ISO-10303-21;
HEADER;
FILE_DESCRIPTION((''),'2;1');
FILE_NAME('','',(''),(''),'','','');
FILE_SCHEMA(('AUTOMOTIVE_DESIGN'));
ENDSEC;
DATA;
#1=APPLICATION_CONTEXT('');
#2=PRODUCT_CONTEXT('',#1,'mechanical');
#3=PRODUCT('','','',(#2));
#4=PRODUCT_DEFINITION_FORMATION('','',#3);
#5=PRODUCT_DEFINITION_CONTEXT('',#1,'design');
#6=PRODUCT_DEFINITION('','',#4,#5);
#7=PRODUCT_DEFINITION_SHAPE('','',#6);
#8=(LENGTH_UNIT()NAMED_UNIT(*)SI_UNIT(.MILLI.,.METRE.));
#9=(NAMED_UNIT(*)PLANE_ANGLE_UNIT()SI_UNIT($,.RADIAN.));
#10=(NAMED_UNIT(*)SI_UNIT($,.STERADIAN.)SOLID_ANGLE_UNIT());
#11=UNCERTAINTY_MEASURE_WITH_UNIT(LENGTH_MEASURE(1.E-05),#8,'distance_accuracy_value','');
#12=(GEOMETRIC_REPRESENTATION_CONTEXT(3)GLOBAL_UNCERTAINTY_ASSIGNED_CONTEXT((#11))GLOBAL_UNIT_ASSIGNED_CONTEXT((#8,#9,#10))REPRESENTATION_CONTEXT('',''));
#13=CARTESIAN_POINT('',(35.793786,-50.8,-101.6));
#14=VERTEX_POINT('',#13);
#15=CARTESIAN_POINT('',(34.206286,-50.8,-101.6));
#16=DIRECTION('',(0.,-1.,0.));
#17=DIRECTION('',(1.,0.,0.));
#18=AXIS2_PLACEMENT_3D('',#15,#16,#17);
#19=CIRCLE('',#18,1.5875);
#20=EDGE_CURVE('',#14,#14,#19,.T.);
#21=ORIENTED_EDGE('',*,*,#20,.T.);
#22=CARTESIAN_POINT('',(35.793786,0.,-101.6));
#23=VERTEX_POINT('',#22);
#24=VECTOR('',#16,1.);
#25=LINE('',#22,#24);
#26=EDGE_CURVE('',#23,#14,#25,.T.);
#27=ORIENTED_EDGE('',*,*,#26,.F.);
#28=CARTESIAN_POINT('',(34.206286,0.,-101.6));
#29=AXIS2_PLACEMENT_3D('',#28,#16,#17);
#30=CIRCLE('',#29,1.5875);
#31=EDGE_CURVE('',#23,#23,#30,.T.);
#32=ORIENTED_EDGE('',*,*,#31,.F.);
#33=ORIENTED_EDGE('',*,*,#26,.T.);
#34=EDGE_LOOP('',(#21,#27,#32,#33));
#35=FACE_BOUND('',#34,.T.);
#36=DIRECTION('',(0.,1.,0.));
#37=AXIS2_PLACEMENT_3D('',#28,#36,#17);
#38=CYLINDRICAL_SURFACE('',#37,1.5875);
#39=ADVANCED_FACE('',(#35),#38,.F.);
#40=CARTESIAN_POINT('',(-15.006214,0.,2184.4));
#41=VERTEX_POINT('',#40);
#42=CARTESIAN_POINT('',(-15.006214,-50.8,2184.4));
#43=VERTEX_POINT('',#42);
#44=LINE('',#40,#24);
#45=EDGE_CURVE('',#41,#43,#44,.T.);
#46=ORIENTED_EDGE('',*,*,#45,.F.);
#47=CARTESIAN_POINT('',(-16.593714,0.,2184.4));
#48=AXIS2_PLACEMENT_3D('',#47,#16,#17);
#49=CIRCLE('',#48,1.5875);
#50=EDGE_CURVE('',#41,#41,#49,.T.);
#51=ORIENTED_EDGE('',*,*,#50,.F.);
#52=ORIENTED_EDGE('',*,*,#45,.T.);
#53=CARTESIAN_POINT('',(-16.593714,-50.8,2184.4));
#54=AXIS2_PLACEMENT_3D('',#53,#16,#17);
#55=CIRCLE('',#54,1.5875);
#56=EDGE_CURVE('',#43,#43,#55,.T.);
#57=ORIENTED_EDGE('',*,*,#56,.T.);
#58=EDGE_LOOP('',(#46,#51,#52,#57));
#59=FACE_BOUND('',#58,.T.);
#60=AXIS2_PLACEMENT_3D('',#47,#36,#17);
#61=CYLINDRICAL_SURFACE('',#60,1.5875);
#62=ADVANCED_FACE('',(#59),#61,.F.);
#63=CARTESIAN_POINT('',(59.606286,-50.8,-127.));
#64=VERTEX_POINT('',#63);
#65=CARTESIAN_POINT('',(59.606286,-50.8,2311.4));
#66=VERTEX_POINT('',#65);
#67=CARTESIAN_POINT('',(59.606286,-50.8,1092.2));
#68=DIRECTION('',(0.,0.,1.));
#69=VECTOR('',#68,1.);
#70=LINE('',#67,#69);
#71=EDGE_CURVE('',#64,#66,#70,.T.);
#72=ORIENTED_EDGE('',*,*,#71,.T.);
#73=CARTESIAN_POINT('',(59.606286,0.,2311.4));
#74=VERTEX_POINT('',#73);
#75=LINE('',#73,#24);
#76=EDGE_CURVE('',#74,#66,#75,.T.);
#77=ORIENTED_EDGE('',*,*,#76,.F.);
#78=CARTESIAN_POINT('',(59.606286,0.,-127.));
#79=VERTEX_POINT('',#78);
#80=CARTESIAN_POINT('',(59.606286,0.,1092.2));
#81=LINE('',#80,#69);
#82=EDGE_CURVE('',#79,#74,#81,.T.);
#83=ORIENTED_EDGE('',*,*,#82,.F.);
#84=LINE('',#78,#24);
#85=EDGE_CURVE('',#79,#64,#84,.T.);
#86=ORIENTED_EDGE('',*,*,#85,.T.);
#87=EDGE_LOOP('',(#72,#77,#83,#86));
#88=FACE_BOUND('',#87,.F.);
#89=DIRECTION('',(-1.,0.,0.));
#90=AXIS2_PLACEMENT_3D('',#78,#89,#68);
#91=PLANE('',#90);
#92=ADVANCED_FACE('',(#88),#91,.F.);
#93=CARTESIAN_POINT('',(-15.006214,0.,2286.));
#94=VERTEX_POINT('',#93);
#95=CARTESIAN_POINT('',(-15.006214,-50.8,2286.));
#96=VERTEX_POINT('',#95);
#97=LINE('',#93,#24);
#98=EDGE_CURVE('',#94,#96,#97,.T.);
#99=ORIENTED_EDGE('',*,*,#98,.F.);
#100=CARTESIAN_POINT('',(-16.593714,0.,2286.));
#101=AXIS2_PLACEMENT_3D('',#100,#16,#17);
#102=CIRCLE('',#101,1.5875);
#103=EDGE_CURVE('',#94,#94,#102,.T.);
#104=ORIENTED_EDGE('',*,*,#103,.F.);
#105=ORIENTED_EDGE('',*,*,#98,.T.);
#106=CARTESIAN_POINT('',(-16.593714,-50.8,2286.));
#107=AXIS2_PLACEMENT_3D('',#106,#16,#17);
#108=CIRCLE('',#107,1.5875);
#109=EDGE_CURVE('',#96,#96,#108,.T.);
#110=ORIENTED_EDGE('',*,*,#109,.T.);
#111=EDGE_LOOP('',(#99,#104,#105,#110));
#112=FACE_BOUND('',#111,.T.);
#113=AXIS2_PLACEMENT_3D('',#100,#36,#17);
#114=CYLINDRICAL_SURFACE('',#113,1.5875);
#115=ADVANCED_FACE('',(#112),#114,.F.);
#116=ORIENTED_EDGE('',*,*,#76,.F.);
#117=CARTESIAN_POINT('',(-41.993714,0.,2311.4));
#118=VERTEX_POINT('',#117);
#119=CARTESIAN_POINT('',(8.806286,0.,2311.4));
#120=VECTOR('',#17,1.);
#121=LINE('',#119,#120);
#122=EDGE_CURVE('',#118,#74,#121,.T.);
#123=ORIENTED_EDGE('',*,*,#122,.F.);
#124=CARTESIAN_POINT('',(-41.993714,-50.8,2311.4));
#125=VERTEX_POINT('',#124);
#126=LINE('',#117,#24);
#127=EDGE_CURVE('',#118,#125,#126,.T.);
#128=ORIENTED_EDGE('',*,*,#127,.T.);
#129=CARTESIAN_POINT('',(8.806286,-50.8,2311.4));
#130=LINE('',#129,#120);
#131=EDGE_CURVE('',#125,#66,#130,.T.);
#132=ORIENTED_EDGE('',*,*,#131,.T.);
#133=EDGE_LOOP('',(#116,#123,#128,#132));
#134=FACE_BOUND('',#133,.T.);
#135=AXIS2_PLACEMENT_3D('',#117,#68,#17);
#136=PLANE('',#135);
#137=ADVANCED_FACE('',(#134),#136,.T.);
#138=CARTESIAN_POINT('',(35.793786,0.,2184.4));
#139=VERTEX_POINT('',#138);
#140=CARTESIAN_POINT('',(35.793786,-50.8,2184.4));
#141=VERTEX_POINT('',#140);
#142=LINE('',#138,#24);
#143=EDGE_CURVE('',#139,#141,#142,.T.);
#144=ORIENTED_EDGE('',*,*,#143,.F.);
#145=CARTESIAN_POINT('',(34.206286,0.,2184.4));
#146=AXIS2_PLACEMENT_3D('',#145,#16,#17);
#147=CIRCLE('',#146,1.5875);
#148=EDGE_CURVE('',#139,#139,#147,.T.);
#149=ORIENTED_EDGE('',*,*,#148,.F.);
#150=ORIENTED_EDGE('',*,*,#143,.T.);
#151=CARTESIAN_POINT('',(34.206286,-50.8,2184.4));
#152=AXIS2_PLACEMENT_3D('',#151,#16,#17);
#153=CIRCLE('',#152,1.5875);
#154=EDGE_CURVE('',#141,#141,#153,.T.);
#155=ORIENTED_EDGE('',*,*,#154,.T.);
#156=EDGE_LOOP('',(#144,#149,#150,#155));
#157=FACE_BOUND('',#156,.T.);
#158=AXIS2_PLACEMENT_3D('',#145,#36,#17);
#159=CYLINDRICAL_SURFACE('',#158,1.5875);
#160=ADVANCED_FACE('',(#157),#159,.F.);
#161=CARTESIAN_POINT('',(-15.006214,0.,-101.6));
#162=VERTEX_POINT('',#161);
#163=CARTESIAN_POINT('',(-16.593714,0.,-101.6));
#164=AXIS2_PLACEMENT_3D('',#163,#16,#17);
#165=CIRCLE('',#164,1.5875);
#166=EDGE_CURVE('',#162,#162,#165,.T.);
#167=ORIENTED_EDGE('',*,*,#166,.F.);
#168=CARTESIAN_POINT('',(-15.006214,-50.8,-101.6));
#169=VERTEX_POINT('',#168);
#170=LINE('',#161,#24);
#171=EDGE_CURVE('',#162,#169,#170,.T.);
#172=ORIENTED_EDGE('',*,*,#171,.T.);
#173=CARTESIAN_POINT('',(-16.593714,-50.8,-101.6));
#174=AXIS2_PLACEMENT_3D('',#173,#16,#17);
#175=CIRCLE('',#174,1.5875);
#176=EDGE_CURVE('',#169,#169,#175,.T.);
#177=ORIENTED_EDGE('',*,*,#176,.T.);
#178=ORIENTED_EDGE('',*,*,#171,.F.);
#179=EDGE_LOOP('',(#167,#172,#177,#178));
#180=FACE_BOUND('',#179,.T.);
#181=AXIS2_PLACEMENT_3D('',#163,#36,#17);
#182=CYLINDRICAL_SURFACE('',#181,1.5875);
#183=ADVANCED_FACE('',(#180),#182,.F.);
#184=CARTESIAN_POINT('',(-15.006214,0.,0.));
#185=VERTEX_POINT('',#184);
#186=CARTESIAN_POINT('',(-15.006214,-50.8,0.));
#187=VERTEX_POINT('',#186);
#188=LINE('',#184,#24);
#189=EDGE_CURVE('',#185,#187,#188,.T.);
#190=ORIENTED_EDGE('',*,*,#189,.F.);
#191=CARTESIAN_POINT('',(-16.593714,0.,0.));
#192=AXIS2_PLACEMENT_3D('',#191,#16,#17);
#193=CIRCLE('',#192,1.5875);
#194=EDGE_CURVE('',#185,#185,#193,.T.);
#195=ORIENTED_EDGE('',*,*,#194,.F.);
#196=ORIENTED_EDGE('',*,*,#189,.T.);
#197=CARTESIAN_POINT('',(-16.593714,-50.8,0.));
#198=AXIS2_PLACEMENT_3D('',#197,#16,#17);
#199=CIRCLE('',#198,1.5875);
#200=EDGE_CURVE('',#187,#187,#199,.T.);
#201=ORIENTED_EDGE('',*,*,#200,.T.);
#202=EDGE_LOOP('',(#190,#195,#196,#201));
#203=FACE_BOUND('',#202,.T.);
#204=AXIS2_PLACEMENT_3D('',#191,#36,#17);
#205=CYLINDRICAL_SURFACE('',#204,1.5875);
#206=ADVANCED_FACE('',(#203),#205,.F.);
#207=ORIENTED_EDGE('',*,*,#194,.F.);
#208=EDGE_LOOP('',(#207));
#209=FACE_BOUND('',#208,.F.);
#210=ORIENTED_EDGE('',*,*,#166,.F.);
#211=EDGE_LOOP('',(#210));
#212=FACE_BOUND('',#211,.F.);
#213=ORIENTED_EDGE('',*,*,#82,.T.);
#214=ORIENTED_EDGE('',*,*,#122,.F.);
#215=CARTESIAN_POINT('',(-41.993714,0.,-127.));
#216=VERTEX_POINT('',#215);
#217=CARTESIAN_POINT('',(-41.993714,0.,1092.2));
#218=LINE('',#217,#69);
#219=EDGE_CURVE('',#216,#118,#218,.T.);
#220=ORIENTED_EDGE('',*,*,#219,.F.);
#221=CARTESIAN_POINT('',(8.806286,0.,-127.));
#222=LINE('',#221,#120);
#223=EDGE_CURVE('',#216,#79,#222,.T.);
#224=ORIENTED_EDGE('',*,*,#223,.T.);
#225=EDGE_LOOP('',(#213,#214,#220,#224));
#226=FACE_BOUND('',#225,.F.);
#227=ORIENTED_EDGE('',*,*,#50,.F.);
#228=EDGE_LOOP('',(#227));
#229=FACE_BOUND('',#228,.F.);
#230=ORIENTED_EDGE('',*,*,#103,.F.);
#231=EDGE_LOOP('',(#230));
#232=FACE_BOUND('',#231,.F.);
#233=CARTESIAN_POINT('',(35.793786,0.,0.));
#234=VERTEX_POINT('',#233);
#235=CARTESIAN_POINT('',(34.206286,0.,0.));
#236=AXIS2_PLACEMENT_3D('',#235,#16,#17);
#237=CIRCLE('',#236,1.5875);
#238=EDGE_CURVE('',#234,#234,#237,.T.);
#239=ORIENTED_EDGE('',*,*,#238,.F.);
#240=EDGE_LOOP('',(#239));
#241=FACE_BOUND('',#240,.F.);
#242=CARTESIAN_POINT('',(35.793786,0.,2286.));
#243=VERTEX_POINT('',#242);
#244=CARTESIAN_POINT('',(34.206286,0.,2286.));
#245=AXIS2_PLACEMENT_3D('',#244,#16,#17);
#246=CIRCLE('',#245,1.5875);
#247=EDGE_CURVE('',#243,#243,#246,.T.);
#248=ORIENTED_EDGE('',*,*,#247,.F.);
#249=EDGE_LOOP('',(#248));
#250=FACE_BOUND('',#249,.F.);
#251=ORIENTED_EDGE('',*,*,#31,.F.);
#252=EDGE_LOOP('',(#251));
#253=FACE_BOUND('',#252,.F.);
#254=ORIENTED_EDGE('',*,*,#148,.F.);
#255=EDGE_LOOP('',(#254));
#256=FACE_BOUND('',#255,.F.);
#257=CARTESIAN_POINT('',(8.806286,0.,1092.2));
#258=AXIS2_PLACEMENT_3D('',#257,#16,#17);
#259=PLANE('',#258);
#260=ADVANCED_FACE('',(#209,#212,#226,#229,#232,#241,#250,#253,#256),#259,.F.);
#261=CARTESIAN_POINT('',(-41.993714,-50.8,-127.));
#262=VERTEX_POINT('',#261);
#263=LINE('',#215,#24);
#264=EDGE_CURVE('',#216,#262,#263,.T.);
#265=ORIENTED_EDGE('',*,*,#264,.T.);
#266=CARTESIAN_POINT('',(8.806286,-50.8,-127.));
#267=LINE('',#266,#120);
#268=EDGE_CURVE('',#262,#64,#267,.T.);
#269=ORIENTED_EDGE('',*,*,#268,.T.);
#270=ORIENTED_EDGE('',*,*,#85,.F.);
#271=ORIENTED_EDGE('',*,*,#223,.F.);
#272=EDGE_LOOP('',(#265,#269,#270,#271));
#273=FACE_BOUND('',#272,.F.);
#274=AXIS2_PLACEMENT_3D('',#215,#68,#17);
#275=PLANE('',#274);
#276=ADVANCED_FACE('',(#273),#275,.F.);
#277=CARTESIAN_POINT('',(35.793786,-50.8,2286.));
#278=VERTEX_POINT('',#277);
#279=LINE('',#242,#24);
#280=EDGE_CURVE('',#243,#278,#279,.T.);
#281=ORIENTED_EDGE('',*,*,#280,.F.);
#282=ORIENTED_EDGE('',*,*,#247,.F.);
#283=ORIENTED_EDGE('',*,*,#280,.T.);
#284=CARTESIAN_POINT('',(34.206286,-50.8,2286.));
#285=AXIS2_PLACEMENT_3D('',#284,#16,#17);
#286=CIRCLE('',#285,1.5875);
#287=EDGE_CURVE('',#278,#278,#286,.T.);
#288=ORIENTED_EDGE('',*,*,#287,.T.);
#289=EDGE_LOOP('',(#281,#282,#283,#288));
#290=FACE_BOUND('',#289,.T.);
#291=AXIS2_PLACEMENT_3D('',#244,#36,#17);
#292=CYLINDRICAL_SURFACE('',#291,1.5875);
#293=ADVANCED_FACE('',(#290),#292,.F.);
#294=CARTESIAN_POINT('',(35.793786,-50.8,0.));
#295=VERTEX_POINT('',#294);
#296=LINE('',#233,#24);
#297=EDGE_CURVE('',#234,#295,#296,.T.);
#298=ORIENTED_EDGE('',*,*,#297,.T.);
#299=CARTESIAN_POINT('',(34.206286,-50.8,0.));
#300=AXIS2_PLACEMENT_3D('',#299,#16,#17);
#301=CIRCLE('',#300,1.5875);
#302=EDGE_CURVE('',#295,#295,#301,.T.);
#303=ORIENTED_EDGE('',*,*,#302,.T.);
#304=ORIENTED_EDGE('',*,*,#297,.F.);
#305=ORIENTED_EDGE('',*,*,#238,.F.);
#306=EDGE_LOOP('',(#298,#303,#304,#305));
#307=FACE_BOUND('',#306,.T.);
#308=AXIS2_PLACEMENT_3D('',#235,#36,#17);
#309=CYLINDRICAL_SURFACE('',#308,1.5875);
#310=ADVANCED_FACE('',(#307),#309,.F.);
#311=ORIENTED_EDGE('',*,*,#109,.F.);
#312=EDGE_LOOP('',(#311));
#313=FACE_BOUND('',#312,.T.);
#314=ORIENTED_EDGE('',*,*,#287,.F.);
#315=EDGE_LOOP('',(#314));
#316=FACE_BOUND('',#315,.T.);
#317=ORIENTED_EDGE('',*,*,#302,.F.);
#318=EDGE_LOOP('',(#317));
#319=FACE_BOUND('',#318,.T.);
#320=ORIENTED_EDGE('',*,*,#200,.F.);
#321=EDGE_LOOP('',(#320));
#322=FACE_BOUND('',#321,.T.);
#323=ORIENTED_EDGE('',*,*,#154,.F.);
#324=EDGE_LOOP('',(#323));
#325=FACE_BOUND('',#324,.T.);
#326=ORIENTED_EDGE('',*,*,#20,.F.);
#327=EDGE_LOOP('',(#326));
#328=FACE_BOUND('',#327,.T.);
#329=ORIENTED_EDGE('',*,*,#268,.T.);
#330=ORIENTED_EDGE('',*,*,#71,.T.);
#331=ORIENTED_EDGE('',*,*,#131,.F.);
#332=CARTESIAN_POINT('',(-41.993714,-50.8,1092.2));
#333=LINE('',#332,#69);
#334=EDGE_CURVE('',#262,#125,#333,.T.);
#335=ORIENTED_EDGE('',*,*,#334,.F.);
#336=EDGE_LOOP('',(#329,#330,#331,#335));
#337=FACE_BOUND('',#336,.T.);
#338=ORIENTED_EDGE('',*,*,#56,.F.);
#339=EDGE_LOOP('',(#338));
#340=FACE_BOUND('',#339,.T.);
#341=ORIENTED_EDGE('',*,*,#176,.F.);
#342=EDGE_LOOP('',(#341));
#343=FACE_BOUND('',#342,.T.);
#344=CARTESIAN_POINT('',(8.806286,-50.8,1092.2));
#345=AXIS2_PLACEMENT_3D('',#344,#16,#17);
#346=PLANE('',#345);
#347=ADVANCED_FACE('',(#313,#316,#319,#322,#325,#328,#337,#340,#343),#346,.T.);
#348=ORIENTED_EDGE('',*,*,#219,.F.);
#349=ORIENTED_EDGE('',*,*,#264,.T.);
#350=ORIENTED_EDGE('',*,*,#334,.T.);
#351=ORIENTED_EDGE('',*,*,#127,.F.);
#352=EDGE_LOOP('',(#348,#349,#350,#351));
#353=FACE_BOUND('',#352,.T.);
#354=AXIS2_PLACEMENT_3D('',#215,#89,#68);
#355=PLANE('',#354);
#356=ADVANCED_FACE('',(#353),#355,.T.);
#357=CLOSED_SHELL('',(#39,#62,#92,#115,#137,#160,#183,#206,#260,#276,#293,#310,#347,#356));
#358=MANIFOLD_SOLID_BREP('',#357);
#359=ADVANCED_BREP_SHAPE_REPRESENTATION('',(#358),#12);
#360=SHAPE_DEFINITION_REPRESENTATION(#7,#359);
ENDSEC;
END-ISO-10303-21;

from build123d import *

# Parameters (mm, degrees)
F0_W     = 101.6
F0_H     = 2438.4
F0_R     = 1.5875
F1_DEPTH = 50.8


with BuildPart() as f1:
    # F0 (on Front) → F1 (new body)
    with BuildSketch(Plane.XZ):
        with Locations((8.806286, 1092.2)):
            Rectangle(F0_W, F0_H)
        with Locations((-16.593714, -101.6)):
            Circle(F0_R, mode=Mode.SUBTRACT)
        with Locations((-16.593714, 0)):
            Circle(F0_R, mode=Mode.SUBTRACT)
        with Locations((34.206286, -101.6)):
            Circle(F0_R, mode=Mode.SUBTRACT)
        with Locations((34.206286, 0)):
            Circle(F0_R, mode=Mode.SUBTRACT)
        with Locations((-16.593714, 2184.4)):
            Circle(F0_R, mode=Mode.SUBTRACT)
        with Locations((-16.593714, 2286)):
            Circle(F0_R, mode=Mode.SUBTRACT)
        with Locations((34.206286, 2184.4)):
            Circle(F0_R, mode=Mode.SUBTRACT)
        with Locations((34.206286, 2286)):
            Circle(F0_R, mode=Mode.SUBTRACT)
    extrude(amount=F1_DEPTH)


solid = f1.part
